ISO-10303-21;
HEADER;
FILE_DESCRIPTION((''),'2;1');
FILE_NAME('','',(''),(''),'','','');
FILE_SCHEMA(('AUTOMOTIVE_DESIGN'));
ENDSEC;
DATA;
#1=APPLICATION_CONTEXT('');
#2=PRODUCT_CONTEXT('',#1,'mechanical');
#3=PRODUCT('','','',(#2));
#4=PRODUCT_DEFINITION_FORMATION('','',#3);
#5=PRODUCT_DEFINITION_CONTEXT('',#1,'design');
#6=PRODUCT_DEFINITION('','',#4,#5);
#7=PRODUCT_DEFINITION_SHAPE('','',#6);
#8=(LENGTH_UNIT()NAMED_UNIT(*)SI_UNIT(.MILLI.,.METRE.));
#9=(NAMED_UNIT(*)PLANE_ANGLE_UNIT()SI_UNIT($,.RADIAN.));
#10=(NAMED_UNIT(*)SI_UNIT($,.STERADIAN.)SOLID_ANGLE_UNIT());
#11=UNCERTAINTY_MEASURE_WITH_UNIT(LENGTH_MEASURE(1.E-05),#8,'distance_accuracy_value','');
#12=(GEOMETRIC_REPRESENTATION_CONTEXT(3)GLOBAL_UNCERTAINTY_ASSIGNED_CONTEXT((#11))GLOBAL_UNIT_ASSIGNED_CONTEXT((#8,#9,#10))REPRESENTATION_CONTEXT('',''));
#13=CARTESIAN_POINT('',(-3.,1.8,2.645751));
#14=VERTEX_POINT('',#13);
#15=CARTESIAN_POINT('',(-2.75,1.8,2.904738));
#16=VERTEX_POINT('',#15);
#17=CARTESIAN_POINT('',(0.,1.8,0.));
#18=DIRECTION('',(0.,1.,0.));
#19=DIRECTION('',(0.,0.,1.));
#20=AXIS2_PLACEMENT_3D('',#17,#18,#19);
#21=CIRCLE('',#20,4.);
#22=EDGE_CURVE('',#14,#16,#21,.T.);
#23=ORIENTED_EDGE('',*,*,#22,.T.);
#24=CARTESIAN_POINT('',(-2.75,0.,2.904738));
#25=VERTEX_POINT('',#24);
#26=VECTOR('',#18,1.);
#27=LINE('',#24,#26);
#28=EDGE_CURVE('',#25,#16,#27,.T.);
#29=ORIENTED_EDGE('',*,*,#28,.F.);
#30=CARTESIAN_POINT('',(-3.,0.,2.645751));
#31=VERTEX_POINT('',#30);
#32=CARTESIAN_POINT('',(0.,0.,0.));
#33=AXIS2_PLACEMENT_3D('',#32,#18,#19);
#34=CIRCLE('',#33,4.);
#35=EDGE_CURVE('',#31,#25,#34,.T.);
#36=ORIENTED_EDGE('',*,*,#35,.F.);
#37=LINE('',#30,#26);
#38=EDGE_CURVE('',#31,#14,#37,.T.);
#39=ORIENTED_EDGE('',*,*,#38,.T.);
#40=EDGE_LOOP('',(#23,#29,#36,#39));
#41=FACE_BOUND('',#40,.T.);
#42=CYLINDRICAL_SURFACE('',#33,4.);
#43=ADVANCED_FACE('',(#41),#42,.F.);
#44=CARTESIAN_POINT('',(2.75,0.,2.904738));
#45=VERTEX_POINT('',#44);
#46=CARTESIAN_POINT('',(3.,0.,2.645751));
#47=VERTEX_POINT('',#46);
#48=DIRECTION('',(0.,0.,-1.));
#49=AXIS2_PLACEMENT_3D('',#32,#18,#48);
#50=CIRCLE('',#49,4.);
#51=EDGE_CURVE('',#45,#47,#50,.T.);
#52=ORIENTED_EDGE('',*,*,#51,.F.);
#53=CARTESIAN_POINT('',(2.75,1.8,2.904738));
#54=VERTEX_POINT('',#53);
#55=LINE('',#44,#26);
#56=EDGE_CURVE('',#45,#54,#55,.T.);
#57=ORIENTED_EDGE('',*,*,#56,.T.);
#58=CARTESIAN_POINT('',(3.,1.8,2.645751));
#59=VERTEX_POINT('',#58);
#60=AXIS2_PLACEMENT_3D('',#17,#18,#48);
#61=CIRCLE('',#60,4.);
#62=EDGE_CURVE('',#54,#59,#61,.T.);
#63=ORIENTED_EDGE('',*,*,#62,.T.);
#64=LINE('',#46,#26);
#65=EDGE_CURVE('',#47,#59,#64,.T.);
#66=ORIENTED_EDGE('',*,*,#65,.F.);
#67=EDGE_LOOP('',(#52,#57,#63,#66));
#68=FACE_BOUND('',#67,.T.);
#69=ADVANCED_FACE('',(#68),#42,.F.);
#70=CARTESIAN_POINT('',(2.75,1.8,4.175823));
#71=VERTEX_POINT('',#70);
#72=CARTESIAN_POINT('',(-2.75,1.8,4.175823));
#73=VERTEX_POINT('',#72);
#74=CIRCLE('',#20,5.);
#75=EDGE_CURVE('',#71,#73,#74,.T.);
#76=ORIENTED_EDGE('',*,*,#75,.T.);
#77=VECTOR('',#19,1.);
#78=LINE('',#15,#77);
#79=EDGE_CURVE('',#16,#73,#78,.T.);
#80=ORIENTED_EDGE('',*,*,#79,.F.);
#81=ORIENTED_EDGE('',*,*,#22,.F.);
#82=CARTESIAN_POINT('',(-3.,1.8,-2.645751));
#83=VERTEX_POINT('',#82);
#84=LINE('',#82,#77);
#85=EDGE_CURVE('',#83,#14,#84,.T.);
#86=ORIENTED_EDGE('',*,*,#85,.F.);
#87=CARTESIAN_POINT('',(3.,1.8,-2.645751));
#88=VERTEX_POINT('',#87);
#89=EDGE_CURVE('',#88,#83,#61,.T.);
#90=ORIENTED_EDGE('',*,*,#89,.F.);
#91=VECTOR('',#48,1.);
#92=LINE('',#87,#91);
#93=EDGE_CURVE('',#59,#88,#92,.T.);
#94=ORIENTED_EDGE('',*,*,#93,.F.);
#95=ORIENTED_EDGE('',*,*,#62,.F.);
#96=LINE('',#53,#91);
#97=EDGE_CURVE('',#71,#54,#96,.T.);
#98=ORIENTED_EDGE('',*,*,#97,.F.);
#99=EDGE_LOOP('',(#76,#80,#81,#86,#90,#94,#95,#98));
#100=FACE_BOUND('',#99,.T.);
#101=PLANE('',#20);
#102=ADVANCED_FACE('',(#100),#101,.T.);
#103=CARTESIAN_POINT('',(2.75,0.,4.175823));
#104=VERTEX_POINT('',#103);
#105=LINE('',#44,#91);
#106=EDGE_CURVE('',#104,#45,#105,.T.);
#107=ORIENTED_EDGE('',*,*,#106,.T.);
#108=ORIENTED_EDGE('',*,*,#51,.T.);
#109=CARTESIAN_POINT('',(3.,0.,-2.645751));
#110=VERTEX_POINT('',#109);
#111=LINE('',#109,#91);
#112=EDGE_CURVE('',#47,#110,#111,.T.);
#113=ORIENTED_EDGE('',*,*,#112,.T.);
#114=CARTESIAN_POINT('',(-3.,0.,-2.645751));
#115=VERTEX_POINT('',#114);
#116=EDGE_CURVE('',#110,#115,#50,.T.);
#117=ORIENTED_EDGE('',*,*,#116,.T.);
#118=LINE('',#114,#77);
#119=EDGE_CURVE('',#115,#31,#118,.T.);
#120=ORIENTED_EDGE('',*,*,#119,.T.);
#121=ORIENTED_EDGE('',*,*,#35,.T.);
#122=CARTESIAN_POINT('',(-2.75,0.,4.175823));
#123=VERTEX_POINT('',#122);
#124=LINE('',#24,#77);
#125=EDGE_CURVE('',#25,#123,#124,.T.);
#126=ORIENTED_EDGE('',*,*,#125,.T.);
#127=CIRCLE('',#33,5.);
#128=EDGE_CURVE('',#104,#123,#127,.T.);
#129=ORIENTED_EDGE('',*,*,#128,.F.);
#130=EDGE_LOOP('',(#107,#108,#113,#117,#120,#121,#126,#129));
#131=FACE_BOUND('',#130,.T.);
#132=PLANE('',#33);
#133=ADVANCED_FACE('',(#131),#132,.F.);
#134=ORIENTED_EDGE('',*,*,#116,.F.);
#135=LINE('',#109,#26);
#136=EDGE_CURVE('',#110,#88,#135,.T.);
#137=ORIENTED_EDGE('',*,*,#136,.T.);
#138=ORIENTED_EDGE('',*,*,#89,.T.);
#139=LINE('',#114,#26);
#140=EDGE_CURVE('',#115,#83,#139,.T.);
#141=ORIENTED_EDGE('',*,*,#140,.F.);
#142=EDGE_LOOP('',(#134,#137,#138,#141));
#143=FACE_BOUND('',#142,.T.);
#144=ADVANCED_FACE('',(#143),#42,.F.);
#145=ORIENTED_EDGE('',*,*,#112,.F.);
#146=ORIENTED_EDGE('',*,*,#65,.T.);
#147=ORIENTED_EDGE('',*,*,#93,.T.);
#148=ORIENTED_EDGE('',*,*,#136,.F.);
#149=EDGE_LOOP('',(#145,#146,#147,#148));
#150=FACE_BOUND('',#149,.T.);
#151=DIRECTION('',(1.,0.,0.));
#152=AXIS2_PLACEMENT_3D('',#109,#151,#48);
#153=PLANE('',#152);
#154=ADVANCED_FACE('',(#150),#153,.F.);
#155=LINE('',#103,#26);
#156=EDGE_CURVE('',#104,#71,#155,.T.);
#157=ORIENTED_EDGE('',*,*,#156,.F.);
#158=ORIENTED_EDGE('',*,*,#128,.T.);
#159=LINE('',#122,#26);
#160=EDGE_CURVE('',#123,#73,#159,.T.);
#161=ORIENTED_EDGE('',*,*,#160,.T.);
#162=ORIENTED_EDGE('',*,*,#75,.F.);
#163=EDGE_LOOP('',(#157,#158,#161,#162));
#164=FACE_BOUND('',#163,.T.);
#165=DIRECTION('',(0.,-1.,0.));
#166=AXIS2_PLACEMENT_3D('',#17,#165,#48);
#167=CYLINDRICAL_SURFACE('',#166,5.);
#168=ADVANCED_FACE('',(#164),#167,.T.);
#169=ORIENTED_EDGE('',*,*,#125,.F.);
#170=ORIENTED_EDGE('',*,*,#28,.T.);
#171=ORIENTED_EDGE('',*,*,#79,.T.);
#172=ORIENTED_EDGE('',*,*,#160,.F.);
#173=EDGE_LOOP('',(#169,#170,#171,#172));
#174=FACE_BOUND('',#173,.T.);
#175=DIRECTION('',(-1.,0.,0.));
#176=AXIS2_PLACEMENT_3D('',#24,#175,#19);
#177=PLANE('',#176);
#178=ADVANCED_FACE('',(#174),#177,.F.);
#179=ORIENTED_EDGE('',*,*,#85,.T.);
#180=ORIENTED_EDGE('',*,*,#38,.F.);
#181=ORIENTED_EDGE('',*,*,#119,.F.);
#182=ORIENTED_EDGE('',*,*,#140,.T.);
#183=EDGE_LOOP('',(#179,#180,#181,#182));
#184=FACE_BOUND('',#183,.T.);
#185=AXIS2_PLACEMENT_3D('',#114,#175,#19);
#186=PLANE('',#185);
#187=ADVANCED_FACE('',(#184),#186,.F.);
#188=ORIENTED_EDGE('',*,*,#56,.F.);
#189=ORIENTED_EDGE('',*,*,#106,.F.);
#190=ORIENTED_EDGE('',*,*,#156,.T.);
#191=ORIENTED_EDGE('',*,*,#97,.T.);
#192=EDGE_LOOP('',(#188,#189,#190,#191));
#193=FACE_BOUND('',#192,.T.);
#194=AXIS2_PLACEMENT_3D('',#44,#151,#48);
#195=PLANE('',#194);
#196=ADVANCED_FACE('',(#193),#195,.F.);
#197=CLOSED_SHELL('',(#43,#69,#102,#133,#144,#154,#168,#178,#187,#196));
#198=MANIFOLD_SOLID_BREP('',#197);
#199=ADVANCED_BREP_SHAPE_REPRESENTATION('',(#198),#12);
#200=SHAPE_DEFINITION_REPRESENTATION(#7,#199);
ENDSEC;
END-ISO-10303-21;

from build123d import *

# Parameters (mm, degrees)
SKETCH1_R           = 5
BOSS_EXTRUDE1_DEPTH = 1.8
CUT_EXTRUDE1_DEPTH  = 2.8


with BuildPart() as part:
    # Sketch1 → Boss-Extrude1 (new body)
    with BuildSketch(Plane(origin=(0, 0, 0), x_dir=(1, 0, 0), z_dir=(0, 1, 0))):
        Circle(SKETCH1_R)
    extrude(amount=BOSS_EXTRUDE1_DEPTH)

    # Sketch2 → Cut-Extrude1 (cut, through all)
    with BuildSketch(Plane(origin=(0, 1.8, 0), x_dir=(1, 0, 0), z_dir=(0, 1, 0))):
        with BuildLine():
            Line((-3, 2.645751311), (-3, -2.645751311))
            ThreePointArc((-3, -2.645751311), (-2.877914777, -2.778058051), (-2.75, -2.90473751))
            Line((-2.75, -2.90473751), (-2.75, -4.175823272))
            ThreePointArc((-2.75, -4.175823272), (0, -5), (2.75, -4.175823272))
            Line((2.75, -4.175823272), (2.75, -2.90473751))
            ThreePointArc((2.75, -2.90473751), (2.877914777, -2.778058051), (3, -2.645751311))
            Line((3, -2.645751311), (3, 2.645751311))
            ThreePointArc((3, 2.645751311), (0, 4), (-3, 2.645751311))
        make_face()
    extrude(amount=-CUT_EXTRUDE1_DEPTH, mode=Mode.SUBTRACT)


solid = part.part
